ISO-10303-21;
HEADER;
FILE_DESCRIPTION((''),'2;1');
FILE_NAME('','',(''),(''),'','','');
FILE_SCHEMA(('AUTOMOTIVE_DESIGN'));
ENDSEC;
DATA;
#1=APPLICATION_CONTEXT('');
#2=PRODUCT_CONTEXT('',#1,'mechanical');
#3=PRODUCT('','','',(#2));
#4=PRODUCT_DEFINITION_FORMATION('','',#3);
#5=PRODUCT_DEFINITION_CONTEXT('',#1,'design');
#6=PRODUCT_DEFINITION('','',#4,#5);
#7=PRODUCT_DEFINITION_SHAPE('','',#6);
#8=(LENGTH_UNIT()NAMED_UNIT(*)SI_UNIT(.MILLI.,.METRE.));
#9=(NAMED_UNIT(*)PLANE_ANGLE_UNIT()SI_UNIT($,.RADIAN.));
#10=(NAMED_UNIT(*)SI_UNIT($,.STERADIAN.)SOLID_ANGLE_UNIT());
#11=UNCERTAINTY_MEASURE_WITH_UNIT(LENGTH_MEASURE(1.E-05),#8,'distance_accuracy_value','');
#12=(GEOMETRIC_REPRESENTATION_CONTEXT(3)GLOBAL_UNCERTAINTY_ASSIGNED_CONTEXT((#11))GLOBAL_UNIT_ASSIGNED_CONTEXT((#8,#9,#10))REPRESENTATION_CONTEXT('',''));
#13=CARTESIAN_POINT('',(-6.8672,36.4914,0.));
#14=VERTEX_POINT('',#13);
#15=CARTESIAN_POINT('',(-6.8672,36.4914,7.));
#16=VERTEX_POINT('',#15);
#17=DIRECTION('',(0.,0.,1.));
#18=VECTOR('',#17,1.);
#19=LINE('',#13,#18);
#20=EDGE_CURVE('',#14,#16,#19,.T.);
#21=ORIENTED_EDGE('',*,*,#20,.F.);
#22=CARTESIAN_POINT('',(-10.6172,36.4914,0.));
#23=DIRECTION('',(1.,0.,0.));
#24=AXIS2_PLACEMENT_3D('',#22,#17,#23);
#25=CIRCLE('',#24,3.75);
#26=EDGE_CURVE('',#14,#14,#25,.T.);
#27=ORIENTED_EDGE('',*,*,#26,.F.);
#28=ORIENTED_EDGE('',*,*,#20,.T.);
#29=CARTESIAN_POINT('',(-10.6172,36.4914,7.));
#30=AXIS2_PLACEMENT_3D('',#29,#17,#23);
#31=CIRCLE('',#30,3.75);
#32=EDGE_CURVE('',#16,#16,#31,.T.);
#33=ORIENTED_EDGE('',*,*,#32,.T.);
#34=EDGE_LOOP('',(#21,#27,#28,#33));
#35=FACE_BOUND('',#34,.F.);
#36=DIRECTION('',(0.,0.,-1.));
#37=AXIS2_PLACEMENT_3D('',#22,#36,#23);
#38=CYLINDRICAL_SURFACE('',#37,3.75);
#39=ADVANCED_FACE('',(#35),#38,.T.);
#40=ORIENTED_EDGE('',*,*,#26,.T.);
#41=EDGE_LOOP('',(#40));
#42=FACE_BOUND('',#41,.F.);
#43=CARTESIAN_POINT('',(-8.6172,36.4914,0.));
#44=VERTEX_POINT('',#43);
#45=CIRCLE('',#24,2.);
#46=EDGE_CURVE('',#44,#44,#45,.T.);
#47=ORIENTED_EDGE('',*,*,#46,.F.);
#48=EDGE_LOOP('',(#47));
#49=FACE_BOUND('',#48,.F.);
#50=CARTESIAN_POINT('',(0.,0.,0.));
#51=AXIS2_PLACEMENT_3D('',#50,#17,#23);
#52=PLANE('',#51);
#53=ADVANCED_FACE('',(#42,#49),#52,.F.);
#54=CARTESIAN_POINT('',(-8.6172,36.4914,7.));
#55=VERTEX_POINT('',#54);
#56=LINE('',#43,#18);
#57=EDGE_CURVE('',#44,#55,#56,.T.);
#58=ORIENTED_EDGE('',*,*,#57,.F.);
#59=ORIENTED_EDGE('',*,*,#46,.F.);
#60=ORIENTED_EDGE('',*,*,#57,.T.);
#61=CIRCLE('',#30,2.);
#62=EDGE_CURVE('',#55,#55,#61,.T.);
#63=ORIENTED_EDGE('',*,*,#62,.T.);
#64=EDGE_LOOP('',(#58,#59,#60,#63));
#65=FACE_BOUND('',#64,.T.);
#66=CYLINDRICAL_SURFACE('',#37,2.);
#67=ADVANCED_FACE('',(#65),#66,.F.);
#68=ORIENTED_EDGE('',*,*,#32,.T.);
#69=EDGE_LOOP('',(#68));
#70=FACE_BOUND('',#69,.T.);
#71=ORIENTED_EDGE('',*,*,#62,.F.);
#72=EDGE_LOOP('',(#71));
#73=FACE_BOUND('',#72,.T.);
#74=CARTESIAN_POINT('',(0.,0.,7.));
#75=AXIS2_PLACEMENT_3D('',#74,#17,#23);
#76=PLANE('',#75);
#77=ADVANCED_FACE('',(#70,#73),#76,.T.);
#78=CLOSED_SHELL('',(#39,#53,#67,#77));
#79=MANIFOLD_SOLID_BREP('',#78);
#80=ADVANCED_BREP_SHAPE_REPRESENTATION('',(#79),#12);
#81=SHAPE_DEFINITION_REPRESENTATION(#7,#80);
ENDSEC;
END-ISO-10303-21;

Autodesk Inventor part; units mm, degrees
ref_plane "YZ Plane" through (0, 0, 0) normal (1, 0, 0) x (0, 1, 0)
ref_plane "XZ Plane" through (0, 0, 0) normal (0, 1, 0) x (-1, 0, 0)
ref_plane "XY Plane" through (0, 0, 0) normal (0, 0, 1) x (1, 0, 0)
sketch "Sketch1" plane through (0, 0, 0) normal (0, 0, 1) x (1, 0, 0)
  line L0 (-19.6493, 54.0192) -> (-19.6493, 51.5192) projected
  line L1 (-19.6493, 51.5192) -> (-17.1493, 50.3535) projected
  line L2 (-17.1493, 50.3535) -> (-17.1493, 47.8535) projected
  line L3 (-17.1493, 47.8535) -> (-19.6493, 46.6877) projected
  line L4 (-19.6493, 46.6877) -> (-19.6493, 44.1877) projected
  line L5 (-19.6493, 44.1877) -> (-17.1493, 43.0219) projected
  line L6 (-17.1493, 43.0219) -> (-17.1493, 40.5219) projected
  line L7 (-17.1493, 40.5219) -> (-19.6493, 39.3562) projected
  line L8 (-19.6493, 39.3562) -> (-19.6493, 36.8562) projected
  line L9 (-19.6493, 36.8562) -> (-17.1493, 35.6904) projected
  line L10 (-17.1493, 35.6904) -> (-17.1493, 33.1904) projected
  line L11 (-17.1493, 33.1904) -> (-19.6493, 32.0246) projected
  line L12 (-19.6493, 32.0246) -> (-19.6493, 29.5246) projected
  line L13 (-19.6493, 29.5246) -> (-17.1493, 28.3588) projected
  line L14 (-17.1493, 28.3588) -> (-17.1493, 27.685) projected
  arc A0 (-17.1493, 27.685) -> (-16.1428, 26.9802) centre (-16.3993, 27.685) ccw projected
  line L15 (-16.1428, 26.9802) -> (-10.6172, 28.9914) projected
  line L16 (-10.6172, 28.9914) -> (10.596, 7.7782) projected
  line L17 (10.596, 7.7782) -> (10.596, -7.2218) projected
  line L18 (10.596, -7.2218) -> (-10.6172, -28.435) projected
  line L19 (-10.6172, -28.435) -> (-10.6172, -58.435) projected
  line L20 (-10.6172, -58.435) -> (-0.6172, -58.435) projected
  line L21 (-0.6172, -58.435) -> (-0.6172, -33.435) projected
  line L22 (-0.6172, -33.435) -> (18.096, -14.7218) projected
  arc A1 (18.096, -14.7218) -> (19.6493, -10.9718) centre (14.346, -10.9718) ccw projected
  line L23 (19.6493, -10.9718) -> (19.6493, 11.5282) projected
  arc A2 (19.6493, 11.5282) -> (18.096, 15.2782) centre (14.346, 11.5282) ccw projected
  line L24 (18.096, 15.2782) -> (-10.6172, 43.9914) projected
  line L25 (-10.6172, 43.9914) -> (-15.6946, 57.9415) projected
  arc A3 (-15.6946, 57.9415) -> (-17.1493, 57.685) centre (-16.3993, 57.685) ccw projected
  line L26 (-17.1493, 57.685) -> (-17.1493, 55.185) projected
  line L27 (-17.1493, 55.185) -> (-19.6493, 54.0192) projected
  circle A4 centre (-5.6172, -50.935) radius 2 projected
  circle A5 centre (-5.6172, -35.935) radius 2 projected
  circle A6 centre (14.346, 11.5282) radius 2 projected
  circle A7 centre (14.346, -10.9718) radius 2 projected
  circle A8 centre (-10.6172, 36.4914) radius 2 projected
  circle A9 centre (-10.6172, 36.4914) radius 3.75
  point P0 (0, 0)
  dimension "d0" = 7.5
extrude "Extrusion1" add sketch "Sketch1" along normal blind 7 contours A9
properties part number "claw_spacer"
